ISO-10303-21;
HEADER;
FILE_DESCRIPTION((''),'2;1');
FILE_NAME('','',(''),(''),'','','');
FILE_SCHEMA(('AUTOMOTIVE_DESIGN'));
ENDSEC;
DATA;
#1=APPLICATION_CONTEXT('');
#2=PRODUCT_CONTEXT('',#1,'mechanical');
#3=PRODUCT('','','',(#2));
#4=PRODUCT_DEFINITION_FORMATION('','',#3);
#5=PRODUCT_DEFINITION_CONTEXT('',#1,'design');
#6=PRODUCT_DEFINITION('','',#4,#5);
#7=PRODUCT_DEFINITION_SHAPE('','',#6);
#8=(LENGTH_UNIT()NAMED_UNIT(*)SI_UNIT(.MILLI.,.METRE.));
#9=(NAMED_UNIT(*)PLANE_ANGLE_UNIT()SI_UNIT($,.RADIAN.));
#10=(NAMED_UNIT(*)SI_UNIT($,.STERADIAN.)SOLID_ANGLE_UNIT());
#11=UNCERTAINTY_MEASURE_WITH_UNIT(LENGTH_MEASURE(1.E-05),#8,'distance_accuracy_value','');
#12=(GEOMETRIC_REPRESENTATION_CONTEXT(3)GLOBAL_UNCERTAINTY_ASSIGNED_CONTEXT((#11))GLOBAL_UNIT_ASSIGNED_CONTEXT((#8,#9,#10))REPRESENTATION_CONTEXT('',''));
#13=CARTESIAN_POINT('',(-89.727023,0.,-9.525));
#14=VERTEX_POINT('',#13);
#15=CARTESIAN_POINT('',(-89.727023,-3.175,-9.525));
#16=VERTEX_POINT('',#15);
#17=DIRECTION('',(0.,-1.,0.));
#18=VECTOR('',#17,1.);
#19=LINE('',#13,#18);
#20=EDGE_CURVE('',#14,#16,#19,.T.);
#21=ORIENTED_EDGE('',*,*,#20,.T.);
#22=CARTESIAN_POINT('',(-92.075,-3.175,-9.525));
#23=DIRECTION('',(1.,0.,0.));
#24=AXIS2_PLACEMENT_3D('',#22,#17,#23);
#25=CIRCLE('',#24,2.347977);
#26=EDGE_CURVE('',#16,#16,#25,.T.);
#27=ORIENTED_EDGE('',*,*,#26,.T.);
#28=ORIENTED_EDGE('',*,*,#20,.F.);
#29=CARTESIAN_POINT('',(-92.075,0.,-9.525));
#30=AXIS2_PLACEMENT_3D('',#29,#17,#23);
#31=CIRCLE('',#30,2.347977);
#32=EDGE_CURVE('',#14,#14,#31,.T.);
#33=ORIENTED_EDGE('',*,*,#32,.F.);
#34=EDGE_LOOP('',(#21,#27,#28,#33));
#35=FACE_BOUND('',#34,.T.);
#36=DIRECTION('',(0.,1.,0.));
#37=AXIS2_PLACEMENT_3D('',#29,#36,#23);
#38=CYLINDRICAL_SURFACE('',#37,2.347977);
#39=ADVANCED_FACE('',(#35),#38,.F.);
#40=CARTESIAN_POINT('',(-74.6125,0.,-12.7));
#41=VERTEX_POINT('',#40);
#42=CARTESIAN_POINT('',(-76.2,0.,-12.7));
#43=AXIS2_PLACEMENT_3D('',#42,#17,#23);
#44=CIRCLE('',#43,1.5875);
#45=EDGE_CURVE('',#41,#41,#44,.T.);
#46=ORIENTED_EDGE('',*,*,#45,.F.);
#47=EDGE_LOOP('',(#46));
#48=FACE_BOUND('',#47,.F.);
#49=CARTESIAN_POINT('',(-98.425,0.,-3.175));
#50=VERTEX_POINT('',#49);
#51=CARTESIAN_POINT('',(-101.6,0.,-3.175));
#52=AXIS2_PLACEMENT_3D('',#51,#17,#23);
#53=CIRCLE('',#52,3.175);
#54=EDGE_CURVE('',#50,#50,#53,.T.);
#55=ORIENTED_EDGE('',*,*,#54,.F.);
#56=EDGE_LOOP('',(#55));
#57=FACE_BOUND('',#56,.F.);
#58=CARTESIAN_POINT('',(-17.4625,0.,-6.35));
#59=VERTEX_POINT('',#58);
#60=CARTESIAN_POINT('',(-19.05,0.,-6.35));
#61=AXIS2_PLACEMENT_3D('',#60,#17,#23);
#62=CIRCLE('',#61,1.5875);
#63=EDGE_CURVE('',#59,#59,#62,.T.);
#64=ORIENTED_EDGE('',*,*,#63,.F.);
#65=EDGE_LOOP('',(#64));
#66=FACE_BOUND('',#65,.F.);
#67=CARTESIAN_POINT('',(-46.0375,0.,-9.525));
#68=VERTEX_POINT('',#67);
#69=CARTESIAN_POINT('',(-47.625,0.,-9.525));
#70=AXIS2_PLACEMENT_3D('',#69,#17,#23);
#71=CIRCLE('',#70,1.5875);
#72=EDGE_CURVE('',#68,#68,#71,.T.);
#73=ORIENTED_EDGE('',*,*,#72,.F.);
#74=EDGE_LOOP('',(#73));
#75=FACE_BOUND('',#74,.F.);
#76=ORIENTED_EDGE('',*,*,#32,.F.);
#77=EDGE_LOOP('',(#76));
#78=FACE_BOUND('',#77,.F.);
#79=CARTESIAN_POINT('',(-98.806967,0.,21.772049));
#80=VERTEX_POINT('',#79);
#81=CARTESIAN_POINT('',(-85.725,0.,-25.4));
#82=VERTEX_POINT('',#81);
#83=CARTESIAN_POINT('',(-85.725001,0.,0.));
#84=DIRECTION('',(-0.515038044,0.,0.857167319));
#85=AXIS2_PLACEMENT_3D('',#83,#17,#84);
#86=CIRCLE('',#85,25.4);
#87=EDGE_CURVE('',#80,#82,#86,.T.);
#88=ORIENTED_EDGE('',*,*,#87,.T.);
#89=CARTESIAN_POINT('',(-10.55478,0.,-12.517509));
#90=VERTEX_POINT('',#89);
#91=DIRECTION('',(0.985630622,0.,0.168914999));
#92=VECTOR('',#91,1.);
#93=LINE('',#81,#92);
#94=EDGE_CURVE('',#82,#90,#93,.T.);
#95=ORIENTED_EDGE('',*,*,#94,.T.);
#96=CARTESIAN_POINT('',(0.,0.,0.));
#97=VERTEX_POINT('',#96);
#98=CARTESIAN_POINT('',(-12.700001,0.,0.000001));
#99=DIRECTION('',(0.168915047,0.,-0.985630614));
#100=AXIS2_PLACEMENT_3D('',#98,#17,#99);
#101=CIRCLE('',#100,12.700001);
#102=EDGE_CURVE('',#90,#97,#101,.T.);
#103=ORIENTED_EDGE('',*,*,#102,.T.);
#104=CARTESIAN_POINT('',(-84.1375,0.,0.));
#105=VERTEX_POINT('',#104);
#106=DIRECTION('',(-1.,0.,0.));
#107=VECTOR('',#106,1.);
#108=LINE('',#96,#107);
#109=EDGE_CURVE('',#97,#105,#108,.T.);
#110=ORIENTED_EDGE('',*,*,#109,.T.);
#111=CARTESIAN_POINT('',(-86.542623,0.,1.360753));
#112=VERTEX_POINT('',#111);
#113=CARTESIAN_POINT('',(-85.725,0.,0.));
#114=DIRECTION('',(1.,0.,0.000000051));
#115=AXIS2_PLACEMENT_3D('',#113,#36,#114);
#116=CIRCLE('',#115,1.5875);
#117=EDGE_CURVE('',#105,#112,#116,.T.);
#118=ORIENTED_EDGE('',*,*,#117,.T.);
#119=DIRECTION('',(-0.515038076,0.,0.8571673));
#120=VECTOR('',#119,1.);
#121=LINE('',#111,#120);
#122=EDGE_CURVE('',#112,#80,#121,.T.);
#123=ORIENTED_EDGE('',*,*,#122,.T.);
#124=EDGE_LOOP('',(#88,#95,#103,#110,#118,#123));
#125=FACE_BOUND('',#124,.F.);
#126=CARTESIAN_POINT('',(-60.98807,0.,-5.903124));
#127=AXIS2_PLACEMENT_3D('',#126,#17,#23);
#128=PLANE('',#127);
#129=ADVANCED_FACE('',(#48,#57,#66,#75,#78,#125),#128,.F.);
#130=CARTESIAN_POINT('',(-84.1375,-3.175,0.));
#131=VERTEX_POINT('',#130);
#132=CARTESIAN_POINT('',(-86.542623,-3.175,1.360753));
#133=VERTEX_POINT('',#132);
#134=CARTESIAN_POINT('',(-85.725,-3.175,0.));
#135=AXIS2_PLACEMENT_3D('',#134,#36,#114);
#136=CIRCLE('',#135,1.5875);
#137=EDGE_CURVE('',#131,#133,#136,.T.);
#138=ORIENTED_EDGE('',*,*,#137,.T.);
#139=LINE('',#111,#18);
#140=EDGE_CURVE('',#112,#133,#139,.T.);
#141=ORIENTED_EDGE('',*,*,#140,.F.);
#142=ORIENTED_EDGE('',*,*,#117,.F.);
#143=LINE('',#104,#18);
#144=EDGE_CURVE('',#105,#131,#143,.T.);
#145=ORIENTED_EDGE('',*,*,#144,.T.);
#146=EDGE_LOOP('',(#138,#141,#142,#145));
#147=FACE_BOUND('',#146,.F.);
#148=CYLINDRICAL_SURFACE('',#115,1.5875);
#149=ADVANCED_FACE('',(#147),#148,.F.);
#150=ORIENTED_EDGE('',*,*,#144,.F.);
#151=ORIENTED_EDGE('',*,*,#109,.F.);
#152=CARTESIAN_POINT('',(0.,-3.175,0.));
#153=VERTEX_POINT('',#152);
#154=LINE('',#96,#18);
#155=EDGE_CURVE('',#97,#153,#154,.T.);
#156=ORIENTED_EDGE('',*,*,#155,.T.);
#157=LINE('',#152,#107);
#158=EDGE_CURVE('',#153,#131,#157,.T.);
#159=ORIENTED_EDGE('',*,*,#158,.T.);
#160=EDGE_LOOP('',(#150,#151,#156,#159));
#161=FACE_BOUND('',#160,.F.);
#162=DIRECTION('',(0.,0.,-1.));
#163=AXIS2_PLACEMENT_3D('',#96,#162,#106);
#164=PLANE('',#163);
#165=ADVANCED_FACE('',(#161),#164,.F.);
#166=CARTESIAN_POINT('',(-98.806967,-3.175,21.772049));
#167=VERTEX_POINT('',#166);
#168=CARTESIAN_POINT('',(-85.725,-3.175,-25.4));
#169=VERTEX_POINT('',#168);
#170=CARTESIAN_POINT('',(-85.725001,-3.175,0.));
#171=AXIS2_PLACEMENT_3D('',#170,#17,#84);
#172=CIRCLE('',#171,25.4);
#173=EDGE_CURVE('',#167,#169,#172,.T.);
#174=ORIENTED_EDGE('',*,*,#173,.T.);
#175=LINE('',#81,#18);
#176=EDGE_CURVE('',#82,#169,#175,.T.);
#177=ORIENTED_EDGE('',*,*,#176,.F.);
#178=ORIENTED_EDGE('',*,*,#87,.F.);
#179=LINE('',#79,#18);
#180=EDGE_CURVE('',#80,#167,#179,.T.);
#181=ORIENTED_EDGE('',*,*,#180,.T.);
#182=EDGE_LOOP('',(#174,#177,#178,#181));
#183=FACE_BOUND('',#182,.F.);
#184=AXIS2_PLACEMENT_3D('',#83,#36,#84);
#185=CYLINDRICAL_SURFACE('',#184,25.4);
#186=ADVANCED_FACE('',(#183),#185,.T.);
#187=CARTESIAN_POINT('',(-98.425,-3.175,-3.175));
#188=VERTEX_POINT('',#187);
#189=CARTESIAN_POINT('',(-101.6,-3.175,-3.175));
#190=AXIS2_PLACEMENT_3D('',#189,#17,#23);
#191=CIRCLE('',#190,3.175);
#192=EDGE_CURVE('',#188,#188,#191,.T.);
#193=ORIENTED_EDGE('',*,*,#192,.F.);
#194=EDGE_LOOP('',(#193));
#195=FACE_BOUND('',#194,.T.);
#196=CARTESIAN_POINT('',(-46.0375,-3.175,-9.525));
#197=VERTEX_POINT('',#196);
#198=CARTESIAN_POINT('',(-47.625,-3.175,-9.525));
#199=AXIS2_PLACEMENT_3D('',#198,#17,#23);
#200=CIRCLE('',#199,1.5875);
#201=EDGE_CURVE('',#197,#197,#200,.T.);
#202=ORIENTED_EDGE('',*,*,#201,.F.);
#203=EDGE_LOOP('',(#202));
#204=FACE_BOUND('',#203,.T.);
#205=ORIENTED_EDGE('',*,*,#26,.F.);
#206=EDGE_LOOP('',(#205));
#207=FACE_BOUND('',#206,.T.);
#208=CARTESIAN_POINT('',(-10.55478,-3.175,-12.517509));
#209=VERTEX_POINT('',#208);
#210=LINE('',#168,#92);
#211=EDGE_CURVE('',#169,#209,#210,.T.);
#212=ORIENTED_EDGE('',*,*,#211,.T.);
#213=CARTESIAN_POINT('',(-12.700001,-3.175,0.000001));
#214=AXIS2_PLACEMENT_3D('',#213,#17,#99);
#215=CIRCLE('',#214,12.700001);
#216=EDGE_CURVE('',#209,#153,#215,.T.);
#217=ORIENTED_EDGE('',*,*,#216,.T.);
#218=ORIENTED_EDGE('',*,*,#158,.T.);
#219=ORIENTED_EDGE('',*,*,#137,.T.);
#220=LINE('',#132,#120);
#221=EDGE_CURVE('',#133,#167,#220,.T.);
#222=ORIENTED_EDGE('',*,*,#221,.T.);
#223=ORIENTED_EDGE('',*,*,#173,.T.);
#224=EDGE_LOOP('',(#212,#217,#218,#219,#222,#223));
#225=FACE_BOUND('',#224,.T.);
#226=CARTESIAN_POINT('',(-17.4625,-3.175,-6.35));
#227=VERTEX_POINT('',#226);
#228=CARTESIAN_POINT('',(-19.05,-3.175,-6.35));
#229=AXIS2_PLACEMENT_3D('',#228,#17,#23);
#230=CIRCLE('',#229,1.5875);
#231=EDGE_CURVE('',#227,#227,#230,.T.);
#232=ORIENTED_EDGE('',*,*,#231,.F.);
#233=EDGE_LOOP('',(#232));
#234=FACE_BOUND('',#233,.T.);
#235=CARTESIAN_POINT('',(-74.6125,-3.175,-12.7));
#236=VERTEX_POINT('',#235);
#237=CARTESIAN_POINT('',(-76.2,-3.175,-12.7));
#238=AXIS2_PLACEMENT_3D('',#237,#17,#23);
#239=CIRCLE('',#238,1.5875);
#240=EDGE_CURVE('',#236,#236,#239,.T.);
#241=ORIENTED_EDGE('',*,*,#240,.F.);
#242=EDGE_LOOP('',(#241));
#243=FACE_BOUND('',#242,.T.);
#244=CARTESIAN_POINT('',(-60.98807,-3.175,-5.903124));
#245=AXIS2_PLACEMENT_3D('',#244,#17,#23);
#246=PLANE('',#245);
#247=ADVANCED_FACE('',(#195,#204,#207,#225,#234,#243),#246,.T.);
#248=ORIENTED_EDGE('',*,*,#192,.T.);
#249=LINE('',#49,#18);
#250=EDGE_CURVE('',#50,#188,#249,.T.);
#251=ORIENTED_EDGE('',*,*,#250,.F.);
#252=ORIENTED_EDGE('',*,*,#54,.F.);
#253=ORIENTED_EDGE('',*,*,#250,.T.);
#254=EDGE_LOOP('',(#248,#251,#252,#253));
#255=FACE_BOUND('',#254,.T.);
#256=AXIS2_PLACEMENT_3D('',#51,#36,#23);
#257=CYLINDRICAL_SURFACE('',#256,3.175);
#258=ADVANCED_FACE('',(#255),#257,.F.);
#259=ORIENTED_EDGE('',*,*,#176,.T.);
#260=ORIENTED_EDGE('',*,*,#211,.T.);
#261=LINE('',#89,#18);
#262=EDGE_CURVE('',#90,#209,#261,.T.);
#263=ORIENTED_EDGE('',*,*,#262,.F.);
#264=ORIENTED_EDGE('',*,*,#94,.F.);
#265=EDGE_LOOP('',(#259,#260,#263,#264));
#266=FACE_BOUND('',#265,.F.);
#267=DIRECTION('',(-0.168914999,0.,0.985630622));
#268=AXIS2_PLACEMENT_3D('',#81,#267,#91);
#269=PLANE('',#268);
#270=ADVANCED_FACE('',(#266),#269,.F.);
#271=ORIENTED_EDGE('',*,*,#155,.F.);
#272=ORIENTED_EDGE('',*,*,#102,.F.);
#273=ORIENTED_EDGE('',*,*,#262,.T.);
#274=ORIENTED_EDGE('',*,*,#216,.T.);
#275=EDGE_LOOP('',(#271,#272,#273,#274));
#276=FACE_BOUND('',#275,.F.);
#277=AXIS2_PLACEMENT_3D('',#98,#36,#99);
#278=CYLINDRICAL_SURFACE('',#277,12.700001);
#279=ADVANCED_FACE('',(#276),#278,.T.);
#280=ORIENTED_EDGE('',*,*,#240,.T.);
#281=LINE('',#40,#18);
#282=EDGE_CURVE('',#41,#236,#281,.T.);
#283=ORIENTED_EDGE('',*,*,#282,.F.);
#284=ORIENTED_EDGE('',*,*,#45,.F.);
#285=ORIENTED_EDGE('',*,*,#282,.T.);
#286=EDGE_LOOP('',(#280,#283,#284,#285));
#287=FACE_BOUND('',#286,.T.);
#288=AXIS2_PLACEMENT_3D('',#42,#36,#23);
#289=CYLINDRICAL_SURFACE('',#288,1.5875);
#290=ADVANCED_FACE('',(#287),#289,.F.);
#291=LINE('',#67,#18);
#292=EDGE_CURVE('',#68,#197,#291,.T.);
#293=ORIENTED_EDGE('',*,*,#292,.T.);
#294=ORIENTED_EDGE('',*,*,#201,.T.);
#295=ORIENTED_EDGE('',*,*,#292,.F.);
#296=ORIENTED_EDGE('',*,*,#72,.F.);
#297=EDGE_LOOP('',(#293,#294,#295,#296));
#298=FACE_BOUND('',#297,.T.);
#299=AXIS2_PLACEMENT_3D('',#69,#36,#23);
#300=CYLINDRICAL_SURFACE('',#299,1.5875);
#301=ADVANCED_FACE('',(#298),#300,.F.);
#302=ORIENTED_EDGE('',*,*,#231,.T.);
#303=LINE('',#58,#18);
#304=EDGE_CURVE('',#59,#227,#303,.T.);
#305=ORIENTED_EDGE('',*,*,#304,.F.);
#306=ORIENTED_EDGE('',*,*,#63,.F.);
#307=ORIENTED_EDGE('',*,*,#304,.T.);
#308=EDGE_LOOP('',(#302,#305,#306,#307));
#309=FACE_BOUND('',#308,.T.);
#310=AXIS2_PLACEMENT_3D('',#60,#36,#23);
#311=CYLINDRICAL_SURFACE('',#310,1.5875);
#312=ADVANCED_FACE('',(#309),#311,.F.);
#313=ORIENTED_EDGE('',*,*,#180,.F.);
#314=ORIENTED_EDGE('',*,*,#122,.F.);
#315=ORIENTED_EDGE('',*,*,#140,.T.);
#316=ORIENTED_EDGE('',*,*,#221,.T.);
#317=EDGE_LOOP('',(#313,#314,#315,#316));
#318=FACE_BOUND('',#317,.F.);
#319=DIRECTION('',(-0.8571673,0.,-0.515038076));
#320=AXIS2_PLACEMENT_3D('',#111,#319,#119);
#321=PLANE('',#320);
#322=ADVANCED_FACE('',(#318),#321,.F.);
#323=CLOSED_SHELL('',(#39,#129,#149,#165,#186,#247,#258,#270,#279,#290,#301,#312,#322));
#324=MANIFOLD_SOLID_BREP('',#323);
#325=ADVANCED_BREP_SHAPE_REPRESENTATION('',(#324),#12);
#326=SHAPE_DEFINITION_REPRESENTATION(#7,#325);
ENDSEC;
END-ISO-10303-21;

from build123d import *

# Parameters (mm, degrees)
F0_R     = 2.347977
F0_R_2   = 3.175
F0_R_3   = 1.5875
F1_DEPTH = 3.175


with BuildPart() as f1:
    # F0 (on Front) → F1 (new body)
    with BuildSketch(Plane.XZ):
        with BuildLine():
            Line((-85.725, -25.4), (-10.55478, -12.517509))
            ThreePointArc((-10.55478, -12.517509), (-2.990873, -8.186748), (0, 0))
            Line((0, 0), (-84.1375, 0))
            ThreePointArc((-84.1375, 0), (-86.506722, -1.38169), (-86.542623, 1.360753))
            Line((-86.542623, 1.360753), (-98.806967, 21.772049))
            ThreePointArc((-98.806967, 21.772049), (-110.201214, -6.787855), (-85.725, -25.4))
        make_face()
        with Locations((-92.075, -9.525)):
            Circle(F0_R, mode=Mode.SUBTRACT)
        with Locations((-101.6, -3.175)):
            Circle(F0_R_2, mode=Mode.SUBTRACT)
        with Locations((-76.2, -12.7)):
            Circle(F0_R_3, mode=Mode.SUBTRACT)
        with Locations((-47.625, -9.525)):
            Circle(F0_R_3, mode=Mode.SUBTRACT)
        with Locations((-19.05, -6.35)):
            Circle(F0_R_3, mode=Mode.SUBTRACT)
    extrude(amount=F1_DEPTH)


solid = f1.part
